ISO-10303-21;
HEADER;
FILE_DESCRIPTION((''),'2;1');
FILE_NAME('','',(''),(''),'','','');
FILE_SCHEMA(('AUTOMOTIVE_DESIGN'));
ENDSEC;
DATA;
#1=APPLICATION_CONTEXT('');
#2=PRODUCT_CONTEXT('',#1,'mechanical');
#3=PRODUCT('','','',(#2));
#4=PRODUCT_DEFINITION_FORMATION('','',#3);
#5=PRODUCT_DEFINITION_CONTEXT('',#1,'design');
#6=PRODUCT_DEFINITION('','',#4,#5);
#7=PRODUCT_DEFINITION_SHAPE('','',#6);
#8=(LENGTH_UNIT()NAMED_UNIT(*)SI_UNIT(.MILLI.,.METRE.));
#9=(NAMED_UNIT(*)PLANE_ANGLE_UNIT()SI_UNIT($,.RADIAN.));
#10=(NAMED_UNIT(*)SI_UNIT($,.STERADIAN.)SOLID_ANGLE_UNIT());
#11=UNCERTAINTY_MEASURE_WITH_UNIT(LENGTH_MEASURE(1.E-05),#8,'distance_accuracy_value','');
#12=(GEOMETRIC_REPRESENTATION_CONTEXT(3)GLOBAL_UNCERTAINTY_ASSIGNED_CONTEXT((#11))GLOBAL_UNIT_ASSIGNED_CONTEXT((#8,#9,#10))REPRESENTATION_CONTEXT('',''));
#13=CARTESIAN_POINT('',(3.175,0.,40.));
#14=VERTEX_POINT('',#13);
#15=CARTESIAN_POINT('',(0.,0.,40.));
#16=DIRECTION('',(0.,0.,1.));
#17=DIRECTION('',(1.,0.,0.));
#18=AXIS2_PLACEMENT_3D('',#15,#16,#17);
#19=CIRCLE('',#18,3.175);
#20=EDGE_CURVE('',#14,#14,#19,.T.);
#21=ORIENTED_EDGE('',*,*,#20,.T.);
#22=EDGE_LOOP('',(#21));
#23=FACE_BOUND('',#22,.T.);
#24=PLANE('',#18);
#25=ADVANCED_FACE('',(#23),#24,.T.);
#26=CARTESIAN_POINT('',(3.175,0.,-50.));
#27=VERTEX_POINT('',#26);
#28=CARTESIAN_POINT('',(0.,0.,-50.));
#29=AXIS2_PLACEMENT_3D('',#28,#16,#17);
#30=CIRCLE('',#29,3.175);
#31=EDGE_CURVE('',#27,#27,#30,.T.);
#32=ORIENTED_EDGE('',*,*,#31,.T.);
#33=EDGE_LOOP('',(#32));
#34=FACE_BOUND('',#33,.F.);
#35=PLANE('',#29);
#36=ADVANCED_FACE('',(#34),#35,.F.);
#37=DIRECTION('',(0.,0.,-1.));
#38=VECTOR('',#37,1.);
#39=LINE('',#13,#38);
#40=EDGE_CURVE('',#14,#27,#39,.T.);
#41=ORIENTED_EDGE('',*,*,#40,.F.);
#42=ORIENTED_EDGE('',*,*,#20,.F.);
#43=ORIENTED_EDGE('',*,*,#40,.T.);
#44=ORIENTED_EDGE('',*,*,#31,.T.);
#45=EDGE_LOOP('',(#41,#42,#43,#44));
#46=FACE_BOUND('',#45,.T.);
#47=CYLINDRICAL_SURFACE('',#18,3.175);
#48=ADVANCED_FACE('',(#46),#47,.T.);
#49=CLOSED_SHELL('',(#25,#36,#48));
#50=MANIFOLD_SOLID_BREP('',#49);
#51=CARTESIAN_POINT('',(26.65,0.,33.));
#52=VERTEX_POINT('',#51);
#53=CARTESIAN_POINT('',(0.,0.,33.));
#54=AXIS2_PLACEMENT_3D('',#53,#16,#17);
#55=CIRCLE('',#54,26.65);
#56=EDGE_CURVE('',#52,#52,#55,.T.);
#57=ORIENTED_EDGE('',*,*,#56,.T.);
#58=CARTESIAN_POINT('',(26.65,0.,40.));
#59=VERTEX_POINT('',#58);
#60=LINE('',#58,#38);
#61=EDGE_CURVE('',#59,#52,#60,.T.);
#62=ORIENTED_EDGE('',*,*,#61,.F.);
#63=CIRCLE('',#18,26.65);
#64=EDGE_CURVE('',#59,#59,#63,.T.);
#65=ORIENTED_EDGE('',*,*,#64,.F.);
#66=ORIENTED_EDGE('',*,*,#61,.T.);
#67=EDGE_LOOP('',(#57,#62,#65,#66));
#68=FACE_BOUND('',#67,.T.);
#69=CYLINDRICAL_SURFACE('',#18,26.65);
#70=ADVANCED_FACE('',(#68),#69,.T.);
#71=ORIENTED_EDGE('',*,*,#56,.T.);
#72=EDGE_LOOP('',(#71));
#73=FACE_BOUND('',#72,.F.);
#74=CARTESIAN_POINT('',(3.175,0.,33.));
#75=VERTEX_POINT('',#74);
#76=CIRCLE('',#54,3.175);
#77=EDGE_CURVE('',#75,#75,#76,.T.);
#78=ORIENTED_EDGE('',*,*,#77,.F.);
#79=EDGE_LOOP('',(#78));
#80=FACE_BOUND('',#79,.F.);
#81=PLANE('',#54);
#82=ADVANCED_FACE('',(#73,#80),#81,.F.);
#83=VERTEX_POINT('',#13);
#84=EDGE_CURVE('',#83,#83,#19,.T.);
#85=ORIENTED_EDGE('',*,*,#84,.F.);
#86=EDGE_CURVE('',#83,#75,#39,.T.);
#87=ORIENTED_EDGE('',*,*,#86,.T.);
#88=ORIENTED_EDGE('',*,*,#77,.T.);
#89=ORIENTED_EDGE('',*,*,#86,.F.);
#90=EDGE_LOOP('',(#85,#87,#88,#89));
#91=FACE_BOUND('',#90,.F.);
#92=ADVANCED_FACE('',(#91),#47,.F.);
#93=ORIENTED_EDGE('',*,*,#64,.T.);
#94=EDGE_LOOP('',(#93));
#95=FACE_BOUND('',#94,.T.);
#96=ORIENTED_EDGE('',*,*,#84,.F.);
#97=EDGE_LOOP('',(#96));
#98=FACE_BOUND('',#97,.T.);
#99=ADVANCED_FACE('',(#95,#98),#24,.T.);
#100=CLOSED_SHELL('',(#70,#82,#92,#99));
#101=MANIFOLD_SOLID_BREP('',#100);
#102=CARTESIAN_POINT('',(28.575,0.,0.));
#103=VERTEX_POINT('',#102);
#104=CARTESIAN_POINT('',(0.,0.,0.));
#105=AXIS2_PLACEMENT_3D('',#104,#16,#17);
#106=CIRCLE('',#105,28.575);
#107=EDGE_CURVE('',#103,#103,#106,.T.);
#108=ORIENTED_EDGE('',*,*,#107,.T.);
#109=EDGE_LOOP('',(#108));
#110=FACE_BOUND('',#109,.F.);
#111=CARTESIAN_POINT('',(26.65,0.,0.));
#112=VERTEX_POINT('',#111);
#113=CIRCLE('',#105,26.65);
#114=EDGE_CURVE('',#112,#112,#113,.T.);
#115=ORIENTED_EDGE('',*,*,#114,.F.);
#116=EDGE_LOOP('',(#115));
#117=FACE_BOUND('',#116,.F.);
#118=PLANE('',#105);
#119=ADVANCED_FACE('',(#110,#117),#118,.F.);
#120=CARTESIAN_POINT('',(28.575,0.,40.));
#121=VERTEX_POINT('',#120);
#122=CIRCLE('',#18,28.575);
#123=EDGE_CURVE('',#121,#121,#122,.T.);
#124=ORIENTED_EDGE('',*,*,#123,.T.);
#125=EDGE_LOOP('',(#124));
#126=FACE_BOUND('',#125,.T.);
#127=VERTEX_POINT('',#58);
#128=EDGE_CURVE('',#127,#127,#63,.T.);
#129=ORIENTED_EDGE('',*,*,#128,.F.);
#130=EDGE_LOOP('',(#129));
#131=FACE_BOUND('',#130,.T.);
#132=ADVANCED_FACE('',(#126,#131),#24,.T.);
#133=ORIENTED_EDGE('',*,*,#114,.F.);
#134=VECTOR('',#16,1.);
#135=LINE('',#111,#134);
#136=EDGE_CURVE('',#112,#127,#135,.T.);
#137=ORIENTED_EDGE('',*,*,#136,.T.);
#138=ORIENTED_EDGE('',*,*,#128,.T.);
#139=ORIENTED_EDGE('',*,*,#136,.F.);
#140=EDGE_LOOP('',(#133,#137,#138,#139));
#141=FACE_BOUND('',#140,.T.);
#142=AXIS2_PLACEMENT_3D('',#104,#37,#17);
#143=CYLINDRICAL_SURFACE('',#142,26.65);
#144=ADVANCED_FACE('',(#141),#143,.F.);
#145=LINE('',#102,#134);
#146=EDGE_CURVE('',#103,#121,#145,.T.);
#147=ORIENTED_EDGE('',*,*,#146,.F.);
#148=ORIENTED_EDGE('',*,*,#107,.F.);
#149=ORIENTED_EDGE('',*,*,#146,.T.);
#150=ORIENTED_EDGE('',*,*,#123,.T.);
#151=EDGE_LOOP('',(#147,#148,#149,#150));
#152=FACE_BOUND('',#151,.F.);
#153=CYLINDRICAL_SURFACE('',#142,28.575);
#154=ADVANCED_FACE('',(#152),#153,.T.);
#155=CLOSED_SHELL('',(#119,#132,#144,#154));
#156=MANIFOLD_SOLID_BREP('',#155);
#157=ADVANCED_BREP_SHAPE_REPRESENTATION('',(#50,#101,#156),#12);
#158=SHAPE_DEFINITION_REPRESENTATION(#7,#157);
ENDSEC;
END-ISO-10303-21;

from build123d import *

# Parameters (mm, degrees)
F0_R     = 28.575
F0_R_2   = 26.65
F1_DEPTH = 40
F2_R     = 26.65
F2_R_2   = 3.175
F3_DEPTH = 7
F4_R     = 3.175
F5_DEPTH = 90


with BuildPart() as f1:
    # F0 (on Top) → F1 (new body)
    with BuildSketch(Plane.XY):
        Circle(F0_R)
        Circle(F0_R_2, mode=Mode.SUBTRACT)
    extrude(amount=F1_DEPTH)


with BuildPart() as f3:
    # F2 (on face) → F3 (new body)
    with BuildSketch(Plane.XY.offset(40)):
        Circle(F2_R)
        Circle(F2_R_2, mode=Mode.SUBTRACT)
    extrude(amount=-F3_DEPTH)


with BuildPart() as f5:
    # F4 (on face) → F5 (new body)
    with BuildSketch(Plane.XY.offset(40)):
        Circle(F4_R)
    extrude(amount=-F5_DEPTH)


solid = Compound([f1.part, f3.part, f5.part])
